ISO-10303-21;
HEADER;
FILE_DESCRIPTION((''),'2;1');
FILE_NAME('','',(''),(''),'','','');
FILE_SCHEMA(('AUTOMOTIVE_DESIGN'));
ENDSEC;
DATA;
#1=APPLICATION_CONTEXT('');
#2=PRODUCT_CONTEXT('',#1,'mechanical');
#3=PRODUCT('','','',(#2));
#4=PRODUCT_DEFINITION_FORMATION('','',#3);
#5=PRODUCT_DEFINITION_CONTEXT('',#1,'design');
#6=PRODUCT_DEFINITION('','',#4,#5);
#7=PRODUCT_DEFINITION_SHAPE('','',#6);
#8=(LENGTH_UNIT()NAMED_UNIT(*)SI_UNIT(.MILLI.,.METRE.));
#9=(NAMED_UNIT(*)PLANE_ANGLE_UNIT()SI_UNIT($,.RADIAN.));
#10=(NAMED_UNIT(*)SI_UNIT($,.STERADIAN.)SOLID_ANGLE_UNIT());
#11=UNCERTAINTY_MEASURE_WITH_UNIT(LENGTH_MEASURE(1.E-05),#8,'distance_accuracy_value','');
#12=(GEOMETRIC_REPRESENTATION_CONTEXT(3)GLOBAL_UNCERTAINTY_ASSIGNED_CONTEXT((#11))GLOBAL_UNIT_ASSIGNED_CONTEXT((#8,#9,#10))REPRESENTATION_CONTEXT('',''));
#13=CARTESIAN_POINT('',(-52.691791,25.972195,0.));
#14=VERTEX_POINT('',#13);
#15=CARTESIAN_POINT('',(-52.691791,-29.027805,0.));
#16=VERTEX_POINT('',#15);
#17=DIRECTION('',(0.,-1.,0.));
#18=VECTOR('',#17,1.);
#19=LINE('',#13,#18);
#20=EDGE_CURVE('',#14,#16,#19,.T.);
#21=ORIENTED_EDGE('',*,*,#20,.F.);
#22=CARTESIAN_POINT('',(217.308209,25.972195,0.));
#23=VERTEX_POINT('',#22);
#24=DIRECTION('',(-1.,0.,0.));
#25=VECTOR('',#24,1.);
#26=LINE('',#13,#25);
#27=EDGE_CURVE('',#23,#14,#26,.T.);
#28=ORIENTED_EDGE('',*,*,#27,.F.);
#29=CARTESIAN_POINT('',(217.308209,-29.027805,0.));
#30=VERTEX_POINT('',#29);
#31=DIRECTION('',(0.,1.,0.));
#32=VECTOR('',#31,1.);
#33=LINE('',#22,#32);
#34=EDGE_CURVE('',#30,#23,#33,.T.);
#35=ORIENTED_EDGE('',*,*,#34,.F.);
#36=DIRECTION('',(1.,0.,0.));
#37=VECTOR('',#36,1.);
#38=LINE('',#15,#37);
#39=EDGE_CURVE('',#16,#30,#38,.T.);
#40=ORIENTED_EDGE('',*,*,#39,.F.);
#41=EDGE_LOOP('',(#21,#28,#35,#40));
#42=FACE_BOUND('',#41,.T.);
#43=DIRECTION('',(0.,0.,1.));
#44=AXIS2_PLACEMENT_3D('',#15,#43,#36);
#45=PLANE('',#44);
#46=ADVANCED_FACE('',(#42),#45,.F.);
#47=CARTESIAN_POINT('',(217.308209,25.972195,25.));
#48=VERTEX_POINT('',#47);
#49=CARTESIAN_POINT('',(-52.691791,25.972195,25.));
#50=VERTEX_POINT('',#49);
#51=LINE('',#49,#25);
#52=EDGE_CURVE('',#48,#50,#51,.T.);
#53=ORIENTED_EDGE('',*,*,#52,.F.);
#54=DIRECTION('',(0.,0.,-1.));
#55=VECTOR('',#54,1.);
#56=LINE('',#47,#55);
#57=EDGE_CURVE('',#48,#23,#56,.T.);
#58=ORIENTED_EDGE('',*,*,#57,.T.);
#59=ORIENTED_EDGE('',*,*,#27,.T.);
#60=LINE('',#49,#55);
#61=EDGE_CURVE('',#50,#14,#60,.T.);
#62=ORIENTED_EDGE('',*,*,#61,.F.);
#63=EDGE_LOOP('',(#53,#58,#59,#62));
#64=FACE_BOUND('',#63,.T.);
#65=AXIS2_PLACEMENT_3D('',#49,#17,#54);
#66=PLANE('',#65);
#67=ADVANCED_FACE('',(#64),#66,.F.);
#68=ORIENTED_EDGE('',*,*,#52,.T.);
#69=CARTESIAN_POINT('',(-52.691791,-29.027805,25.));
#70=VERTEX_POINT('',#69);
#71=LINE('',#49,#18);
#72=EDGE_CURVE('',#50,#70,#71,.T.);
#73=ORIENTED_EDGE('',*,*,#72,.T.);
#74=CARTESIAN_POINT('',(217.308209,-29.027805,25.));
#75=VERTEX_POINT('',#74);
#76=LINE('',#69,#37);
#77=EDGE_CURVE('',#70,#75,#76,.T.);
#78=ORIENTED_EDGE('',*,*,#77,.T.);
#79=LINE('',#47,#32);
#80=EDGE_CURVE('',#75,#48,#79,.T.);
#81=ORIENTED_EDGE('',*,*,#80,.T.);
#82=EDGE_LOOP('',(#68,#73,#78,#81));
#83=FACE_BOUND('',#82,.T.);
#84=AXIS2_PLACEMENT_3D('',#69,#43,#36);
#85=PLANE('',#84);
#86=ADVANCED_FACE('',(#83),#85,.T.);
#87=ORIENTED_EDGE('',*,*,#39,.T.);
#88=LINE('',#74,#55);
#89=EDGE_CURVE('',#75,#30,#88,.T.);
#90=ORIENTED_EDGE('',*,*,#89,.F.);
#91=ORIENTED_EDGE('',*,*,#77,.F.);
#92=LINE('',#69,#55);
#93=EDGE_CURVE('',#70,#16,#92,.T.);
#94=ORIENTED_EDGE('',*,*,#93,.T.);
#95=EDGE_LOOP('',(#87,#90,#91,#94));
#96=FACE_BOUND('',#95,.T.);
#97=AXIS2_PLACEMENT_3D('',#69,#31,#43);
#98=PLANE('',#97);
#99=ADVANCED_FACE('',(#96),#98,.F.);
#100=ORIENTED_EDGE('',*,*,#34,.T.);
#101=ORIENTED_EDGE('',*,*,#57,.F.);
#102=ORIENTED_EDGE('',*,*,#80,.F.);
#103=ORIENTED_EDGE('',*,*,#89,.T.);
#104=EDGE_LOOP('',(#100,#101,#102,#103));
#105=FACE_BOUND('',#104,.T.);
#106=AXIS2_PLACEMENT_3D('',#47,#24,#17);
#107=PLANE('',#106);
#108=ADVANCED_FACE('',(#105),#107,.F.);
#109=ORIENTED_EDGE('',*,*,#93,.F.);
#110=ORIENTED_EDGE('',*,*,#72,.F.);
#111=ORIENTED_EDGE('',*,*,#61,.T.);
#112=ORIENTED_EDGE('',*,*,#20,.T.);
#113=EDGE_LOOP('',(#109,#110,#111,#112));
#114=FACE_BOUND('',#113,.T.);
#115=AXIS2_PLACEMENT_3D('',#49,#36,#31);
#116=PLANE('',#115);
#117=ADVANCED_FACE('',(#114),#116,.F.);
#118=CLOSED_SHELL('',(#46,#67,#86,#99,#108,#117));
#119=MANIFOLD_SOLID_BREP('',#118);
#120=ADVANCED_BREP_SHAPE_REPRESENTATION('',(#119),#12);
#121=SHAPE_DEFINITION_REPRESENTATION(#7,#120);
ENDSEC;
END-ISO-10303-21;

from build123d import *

# Parameters (mm, degrees)
SKETCH_1_W      = 270
SKETCH_1_H      = 55
EXTRUDE_1_DEPTH = 25


with BuildPart() as part:
    # 草图1 → 凸台-拉伸1 (new body)
    with BuildSketch(Plane.XY):
        with Locations((82.308209184, -1.527805236)):
            Rectangle(SKETCH_1_W, SKETCH_1_H)
    extrude(amount=EXTRUDE_1_DEPTH)


solid = part.part
